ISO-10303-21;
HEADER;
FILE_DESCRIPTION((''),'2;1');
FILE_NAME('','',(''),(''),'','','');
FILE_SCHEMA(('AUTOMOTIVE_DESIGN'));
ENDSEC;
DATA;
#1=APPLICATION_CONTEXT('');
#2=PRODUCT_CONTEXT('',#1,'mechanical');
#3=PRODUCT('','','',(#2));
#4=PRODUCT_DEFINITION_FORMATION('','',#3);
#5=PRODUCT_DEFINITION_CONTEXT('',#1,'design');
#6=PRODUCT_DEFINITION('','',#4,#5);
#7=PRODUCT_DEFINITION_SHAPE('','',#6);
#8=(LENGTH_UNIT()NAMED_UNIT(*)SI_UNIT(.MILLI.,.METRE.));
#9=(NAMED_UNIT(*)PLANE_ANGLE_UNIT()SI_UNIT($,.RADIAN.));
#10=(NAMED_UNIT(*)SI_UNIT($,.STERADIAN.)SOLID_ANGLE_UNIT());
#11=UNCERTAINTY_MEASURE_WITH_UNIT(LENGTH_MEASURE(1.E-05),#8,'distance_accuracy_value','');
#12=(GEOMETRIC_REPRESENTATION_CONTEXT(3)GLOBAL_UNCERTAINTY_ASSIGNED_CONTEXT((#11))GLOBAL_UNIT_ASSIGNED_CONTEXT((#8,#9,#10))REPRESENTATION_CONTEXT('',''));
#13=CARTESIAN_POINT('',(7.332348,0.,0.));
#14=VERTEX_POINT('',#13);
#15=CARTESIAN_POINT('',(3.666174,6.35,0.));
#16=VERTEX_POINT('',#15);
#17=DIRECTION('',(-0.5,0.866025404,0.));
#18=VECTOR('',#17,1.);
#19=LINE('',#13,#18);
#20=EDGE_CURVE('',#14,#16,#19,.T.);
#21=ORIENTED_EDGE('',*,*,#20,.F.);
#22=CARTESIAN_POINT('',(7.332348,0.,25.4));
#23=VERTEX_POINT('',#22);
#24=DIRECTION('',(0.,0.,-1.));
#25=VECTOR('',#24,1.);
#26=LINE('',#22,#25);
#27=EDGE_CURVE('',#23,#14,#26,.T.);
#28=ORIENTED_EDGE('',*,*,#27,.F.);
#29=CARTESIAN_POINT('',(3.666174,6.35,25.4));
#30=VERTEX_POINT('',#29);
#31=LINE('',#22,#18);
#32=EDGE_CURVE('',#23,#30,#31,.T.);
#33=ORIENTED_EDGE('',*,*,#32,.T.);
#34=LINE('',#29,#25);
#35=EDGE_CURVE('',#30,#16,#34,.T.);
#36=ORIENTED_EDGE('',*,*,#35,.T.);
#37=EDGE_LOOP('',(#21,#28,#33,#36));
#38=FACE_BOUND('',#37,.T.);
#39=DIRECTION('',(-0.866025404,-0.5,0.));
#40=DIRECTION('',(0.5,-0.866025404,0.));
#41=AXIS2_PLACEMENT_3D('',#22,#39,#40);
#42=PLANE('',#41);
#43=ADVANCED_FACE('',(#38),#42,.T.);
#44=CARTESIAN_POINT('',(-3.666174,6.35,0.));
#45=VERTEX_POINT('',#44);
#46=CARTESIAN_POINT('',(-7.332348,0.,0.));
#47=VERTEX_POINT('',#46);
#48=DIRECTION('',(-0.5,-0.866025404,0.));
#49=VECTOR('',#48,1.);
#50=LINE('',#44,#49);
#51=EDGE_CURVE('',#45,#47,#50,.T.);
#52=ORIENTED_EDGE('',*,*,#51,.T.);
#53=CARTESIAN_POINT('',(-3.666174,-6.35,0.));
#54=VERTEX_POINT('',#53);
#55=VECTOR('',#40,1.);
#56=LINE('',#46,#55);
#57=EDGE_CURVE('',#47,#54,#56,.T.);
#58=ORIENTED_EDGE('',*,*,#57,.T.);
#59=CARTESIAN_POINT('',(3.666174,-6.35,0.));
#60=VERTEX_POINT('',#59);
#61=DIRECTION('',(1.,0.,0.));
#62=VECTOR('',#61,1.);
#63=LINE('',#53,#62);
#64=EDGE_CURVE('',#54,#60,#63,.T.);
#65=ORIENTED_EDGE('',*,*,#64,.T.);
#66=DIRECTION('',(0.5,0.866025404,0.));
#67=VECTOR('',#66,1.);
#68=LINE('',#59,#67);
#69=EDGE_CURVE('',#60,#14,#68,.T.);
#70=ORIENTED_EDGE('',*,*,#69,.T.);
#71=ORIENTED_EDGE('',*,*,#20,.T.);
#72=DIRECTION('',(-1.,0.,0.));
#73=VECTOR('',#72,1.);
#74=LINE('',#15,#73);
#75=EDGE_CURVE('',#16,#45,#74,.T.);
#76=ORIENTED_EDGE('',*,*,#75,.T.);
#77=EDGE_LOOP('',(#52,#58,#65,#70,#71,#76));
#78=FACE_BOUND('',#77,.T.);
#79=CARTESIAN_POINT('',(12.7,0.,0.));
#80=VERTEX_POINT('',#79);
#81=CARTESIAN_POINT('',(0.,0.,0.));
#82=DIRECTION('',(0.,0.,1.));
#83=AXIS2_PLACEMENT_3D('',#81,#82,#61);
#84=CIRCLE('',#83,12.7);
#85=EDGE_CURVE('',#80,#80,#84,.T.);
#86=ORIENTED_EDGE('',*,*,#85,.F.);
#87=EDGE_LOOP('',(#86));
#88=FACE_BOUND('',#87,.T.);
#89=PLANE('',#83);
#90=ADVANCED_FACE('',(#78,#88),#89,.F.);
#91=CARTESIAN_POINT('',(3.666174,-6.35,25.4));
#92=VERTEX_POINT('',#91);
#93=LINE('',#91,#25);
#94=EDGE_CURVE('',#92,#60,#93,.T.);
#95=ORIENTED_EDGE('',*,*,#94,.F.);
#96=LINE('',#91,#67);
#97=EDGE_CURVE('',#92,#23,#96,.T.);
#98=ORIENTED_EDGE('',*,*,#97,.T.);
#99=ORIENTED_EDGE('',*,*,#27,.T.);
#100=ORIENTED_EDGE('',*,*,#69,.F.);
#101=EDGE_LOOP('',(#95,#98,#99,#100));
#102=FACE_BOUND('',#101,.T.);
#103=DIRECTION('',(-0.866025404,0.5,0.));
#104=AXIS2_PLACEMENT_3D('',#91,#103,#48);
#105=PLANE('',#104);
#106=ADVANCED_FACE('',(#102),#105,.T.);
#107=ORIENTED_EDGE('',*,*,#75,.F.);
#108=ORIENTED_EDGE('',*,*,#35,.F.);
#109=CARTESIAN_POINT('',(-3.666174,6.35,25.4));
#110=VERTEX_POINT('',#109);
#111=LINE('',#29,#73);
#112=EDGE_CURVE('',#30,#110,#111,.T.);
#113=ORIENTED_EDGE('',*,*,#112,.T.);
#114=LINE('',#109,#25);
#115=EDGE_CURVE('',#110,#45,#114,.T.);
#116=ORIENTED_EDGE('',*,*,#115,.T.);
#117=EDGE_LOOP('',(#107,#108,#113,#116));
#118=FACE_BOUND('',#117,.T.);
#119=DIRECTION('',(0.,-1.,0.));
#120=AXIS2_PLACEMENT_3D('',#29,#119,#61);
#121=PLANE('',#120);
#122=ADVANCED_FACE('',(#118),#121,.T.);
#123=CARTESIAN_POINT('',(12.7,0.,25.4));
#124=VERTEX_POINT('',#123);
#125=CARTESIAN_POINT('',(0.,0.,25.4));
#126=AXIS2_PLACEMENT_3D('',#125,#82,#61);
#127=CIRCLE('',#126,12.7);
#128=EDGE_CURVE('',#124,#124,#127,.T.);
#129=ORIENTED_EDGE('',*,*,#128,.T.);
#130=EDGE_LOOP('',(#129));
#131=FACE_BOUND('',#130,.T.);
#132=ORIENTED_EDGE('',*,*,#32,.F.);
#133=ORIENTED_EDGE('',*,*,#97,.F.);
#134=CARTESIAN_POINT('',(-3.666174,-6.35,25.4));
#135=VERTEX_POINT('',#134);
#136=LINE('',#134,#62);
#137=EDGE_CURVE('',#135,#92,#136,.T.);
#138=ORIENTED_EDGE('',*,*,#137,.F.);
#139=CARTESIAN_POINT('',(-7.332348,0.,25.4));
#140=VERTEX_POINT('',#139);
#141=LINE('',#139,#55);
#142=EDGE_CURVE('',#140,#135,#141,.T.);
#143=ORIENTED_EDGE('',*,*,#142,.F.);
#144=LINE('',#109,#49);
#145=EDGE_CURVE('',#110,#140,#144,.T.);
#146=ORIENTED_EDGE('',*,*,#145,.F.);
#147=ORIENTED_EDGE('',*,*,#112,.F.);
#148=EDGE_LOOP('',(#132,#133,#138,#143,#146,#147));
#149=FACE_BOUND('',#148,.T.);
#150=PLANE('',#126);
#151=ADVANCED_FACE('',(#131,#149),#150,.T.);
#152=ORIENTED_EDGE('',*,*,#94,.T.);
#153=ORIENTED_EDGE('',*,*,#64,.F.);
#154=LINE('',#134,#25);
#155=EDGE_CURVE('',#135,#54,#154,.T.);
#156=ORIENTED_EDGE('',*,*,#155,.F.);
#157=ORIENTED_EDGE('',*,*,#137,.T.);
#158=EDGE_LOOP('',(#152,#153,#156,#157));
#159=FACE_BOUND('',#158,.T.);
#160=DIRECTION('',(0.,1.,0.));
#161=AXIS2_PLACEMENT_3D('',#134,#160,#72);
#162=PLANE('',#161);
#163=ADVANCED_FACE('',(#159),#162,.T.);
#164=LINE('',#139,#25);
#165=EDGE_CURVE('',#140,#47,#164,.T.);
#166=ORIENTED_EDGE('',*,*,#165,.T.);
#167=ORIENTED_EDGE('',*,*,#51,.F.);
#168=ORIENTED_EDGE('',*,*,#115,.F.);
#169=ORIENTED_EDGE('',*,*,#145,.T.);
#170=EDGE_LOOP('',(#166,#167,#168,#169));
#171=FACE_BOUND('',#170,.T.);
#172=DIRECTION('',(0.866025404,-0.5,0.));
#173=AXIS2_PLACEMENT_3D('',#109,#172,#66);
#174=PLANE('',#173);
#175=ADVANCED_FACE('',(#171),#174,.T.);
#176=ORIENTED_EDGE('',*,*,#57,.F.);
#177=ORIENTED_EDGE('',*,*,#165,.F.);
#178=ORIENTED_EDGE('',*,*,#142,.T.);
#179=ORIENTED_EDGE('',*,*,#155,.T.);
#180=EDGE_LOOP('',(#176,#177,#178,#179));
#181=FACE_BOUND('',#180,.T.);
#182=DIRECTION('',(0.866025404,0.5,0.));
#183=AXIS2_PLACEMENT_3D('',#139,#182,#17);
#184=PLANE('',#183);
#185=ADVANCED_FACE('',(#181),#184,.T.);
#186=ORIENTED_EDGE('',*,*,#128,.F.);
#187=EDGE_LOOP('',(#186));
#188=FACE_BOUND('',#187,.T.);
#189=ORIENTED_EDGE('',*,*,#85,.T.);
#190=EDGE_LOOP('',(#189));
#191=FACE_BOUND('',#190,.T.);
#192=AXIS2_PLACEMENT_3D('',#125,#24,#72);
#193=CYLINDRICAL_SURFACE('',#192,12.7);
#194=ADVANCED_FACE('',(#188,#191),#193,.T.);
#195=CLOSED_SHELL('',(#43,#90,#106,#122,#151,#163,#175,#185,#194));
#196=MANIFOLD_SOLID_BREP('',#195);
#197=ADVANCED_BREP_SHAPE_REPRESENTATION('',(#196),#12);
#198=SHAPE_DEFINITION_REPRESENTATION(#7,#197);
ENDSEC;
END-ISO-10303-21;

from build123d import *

# Parameters (mm, degrees)
SKETCH1_R           = 12.7
BOSS_EXTRUDE1_DEPTH = 25.4


with BuildPart() as part:
    # Sketch1 → Boss-Extrude1 (new body)
    with BuildSketch(Plane.XY):
        Circle(SKETCH1_R)
        Polygon((-7.332348419, 0), (-3.666174209, -6.35), (3.666174209, -6.35), (7.332348419, 0), (3.666174209, 6.35), (-3.666174209, 6.35), align=None, mode=Mode.SUBTRACT)
    extrude(amount=BOSS_EXTRUDE1_DEPTH)


solid = part.part
